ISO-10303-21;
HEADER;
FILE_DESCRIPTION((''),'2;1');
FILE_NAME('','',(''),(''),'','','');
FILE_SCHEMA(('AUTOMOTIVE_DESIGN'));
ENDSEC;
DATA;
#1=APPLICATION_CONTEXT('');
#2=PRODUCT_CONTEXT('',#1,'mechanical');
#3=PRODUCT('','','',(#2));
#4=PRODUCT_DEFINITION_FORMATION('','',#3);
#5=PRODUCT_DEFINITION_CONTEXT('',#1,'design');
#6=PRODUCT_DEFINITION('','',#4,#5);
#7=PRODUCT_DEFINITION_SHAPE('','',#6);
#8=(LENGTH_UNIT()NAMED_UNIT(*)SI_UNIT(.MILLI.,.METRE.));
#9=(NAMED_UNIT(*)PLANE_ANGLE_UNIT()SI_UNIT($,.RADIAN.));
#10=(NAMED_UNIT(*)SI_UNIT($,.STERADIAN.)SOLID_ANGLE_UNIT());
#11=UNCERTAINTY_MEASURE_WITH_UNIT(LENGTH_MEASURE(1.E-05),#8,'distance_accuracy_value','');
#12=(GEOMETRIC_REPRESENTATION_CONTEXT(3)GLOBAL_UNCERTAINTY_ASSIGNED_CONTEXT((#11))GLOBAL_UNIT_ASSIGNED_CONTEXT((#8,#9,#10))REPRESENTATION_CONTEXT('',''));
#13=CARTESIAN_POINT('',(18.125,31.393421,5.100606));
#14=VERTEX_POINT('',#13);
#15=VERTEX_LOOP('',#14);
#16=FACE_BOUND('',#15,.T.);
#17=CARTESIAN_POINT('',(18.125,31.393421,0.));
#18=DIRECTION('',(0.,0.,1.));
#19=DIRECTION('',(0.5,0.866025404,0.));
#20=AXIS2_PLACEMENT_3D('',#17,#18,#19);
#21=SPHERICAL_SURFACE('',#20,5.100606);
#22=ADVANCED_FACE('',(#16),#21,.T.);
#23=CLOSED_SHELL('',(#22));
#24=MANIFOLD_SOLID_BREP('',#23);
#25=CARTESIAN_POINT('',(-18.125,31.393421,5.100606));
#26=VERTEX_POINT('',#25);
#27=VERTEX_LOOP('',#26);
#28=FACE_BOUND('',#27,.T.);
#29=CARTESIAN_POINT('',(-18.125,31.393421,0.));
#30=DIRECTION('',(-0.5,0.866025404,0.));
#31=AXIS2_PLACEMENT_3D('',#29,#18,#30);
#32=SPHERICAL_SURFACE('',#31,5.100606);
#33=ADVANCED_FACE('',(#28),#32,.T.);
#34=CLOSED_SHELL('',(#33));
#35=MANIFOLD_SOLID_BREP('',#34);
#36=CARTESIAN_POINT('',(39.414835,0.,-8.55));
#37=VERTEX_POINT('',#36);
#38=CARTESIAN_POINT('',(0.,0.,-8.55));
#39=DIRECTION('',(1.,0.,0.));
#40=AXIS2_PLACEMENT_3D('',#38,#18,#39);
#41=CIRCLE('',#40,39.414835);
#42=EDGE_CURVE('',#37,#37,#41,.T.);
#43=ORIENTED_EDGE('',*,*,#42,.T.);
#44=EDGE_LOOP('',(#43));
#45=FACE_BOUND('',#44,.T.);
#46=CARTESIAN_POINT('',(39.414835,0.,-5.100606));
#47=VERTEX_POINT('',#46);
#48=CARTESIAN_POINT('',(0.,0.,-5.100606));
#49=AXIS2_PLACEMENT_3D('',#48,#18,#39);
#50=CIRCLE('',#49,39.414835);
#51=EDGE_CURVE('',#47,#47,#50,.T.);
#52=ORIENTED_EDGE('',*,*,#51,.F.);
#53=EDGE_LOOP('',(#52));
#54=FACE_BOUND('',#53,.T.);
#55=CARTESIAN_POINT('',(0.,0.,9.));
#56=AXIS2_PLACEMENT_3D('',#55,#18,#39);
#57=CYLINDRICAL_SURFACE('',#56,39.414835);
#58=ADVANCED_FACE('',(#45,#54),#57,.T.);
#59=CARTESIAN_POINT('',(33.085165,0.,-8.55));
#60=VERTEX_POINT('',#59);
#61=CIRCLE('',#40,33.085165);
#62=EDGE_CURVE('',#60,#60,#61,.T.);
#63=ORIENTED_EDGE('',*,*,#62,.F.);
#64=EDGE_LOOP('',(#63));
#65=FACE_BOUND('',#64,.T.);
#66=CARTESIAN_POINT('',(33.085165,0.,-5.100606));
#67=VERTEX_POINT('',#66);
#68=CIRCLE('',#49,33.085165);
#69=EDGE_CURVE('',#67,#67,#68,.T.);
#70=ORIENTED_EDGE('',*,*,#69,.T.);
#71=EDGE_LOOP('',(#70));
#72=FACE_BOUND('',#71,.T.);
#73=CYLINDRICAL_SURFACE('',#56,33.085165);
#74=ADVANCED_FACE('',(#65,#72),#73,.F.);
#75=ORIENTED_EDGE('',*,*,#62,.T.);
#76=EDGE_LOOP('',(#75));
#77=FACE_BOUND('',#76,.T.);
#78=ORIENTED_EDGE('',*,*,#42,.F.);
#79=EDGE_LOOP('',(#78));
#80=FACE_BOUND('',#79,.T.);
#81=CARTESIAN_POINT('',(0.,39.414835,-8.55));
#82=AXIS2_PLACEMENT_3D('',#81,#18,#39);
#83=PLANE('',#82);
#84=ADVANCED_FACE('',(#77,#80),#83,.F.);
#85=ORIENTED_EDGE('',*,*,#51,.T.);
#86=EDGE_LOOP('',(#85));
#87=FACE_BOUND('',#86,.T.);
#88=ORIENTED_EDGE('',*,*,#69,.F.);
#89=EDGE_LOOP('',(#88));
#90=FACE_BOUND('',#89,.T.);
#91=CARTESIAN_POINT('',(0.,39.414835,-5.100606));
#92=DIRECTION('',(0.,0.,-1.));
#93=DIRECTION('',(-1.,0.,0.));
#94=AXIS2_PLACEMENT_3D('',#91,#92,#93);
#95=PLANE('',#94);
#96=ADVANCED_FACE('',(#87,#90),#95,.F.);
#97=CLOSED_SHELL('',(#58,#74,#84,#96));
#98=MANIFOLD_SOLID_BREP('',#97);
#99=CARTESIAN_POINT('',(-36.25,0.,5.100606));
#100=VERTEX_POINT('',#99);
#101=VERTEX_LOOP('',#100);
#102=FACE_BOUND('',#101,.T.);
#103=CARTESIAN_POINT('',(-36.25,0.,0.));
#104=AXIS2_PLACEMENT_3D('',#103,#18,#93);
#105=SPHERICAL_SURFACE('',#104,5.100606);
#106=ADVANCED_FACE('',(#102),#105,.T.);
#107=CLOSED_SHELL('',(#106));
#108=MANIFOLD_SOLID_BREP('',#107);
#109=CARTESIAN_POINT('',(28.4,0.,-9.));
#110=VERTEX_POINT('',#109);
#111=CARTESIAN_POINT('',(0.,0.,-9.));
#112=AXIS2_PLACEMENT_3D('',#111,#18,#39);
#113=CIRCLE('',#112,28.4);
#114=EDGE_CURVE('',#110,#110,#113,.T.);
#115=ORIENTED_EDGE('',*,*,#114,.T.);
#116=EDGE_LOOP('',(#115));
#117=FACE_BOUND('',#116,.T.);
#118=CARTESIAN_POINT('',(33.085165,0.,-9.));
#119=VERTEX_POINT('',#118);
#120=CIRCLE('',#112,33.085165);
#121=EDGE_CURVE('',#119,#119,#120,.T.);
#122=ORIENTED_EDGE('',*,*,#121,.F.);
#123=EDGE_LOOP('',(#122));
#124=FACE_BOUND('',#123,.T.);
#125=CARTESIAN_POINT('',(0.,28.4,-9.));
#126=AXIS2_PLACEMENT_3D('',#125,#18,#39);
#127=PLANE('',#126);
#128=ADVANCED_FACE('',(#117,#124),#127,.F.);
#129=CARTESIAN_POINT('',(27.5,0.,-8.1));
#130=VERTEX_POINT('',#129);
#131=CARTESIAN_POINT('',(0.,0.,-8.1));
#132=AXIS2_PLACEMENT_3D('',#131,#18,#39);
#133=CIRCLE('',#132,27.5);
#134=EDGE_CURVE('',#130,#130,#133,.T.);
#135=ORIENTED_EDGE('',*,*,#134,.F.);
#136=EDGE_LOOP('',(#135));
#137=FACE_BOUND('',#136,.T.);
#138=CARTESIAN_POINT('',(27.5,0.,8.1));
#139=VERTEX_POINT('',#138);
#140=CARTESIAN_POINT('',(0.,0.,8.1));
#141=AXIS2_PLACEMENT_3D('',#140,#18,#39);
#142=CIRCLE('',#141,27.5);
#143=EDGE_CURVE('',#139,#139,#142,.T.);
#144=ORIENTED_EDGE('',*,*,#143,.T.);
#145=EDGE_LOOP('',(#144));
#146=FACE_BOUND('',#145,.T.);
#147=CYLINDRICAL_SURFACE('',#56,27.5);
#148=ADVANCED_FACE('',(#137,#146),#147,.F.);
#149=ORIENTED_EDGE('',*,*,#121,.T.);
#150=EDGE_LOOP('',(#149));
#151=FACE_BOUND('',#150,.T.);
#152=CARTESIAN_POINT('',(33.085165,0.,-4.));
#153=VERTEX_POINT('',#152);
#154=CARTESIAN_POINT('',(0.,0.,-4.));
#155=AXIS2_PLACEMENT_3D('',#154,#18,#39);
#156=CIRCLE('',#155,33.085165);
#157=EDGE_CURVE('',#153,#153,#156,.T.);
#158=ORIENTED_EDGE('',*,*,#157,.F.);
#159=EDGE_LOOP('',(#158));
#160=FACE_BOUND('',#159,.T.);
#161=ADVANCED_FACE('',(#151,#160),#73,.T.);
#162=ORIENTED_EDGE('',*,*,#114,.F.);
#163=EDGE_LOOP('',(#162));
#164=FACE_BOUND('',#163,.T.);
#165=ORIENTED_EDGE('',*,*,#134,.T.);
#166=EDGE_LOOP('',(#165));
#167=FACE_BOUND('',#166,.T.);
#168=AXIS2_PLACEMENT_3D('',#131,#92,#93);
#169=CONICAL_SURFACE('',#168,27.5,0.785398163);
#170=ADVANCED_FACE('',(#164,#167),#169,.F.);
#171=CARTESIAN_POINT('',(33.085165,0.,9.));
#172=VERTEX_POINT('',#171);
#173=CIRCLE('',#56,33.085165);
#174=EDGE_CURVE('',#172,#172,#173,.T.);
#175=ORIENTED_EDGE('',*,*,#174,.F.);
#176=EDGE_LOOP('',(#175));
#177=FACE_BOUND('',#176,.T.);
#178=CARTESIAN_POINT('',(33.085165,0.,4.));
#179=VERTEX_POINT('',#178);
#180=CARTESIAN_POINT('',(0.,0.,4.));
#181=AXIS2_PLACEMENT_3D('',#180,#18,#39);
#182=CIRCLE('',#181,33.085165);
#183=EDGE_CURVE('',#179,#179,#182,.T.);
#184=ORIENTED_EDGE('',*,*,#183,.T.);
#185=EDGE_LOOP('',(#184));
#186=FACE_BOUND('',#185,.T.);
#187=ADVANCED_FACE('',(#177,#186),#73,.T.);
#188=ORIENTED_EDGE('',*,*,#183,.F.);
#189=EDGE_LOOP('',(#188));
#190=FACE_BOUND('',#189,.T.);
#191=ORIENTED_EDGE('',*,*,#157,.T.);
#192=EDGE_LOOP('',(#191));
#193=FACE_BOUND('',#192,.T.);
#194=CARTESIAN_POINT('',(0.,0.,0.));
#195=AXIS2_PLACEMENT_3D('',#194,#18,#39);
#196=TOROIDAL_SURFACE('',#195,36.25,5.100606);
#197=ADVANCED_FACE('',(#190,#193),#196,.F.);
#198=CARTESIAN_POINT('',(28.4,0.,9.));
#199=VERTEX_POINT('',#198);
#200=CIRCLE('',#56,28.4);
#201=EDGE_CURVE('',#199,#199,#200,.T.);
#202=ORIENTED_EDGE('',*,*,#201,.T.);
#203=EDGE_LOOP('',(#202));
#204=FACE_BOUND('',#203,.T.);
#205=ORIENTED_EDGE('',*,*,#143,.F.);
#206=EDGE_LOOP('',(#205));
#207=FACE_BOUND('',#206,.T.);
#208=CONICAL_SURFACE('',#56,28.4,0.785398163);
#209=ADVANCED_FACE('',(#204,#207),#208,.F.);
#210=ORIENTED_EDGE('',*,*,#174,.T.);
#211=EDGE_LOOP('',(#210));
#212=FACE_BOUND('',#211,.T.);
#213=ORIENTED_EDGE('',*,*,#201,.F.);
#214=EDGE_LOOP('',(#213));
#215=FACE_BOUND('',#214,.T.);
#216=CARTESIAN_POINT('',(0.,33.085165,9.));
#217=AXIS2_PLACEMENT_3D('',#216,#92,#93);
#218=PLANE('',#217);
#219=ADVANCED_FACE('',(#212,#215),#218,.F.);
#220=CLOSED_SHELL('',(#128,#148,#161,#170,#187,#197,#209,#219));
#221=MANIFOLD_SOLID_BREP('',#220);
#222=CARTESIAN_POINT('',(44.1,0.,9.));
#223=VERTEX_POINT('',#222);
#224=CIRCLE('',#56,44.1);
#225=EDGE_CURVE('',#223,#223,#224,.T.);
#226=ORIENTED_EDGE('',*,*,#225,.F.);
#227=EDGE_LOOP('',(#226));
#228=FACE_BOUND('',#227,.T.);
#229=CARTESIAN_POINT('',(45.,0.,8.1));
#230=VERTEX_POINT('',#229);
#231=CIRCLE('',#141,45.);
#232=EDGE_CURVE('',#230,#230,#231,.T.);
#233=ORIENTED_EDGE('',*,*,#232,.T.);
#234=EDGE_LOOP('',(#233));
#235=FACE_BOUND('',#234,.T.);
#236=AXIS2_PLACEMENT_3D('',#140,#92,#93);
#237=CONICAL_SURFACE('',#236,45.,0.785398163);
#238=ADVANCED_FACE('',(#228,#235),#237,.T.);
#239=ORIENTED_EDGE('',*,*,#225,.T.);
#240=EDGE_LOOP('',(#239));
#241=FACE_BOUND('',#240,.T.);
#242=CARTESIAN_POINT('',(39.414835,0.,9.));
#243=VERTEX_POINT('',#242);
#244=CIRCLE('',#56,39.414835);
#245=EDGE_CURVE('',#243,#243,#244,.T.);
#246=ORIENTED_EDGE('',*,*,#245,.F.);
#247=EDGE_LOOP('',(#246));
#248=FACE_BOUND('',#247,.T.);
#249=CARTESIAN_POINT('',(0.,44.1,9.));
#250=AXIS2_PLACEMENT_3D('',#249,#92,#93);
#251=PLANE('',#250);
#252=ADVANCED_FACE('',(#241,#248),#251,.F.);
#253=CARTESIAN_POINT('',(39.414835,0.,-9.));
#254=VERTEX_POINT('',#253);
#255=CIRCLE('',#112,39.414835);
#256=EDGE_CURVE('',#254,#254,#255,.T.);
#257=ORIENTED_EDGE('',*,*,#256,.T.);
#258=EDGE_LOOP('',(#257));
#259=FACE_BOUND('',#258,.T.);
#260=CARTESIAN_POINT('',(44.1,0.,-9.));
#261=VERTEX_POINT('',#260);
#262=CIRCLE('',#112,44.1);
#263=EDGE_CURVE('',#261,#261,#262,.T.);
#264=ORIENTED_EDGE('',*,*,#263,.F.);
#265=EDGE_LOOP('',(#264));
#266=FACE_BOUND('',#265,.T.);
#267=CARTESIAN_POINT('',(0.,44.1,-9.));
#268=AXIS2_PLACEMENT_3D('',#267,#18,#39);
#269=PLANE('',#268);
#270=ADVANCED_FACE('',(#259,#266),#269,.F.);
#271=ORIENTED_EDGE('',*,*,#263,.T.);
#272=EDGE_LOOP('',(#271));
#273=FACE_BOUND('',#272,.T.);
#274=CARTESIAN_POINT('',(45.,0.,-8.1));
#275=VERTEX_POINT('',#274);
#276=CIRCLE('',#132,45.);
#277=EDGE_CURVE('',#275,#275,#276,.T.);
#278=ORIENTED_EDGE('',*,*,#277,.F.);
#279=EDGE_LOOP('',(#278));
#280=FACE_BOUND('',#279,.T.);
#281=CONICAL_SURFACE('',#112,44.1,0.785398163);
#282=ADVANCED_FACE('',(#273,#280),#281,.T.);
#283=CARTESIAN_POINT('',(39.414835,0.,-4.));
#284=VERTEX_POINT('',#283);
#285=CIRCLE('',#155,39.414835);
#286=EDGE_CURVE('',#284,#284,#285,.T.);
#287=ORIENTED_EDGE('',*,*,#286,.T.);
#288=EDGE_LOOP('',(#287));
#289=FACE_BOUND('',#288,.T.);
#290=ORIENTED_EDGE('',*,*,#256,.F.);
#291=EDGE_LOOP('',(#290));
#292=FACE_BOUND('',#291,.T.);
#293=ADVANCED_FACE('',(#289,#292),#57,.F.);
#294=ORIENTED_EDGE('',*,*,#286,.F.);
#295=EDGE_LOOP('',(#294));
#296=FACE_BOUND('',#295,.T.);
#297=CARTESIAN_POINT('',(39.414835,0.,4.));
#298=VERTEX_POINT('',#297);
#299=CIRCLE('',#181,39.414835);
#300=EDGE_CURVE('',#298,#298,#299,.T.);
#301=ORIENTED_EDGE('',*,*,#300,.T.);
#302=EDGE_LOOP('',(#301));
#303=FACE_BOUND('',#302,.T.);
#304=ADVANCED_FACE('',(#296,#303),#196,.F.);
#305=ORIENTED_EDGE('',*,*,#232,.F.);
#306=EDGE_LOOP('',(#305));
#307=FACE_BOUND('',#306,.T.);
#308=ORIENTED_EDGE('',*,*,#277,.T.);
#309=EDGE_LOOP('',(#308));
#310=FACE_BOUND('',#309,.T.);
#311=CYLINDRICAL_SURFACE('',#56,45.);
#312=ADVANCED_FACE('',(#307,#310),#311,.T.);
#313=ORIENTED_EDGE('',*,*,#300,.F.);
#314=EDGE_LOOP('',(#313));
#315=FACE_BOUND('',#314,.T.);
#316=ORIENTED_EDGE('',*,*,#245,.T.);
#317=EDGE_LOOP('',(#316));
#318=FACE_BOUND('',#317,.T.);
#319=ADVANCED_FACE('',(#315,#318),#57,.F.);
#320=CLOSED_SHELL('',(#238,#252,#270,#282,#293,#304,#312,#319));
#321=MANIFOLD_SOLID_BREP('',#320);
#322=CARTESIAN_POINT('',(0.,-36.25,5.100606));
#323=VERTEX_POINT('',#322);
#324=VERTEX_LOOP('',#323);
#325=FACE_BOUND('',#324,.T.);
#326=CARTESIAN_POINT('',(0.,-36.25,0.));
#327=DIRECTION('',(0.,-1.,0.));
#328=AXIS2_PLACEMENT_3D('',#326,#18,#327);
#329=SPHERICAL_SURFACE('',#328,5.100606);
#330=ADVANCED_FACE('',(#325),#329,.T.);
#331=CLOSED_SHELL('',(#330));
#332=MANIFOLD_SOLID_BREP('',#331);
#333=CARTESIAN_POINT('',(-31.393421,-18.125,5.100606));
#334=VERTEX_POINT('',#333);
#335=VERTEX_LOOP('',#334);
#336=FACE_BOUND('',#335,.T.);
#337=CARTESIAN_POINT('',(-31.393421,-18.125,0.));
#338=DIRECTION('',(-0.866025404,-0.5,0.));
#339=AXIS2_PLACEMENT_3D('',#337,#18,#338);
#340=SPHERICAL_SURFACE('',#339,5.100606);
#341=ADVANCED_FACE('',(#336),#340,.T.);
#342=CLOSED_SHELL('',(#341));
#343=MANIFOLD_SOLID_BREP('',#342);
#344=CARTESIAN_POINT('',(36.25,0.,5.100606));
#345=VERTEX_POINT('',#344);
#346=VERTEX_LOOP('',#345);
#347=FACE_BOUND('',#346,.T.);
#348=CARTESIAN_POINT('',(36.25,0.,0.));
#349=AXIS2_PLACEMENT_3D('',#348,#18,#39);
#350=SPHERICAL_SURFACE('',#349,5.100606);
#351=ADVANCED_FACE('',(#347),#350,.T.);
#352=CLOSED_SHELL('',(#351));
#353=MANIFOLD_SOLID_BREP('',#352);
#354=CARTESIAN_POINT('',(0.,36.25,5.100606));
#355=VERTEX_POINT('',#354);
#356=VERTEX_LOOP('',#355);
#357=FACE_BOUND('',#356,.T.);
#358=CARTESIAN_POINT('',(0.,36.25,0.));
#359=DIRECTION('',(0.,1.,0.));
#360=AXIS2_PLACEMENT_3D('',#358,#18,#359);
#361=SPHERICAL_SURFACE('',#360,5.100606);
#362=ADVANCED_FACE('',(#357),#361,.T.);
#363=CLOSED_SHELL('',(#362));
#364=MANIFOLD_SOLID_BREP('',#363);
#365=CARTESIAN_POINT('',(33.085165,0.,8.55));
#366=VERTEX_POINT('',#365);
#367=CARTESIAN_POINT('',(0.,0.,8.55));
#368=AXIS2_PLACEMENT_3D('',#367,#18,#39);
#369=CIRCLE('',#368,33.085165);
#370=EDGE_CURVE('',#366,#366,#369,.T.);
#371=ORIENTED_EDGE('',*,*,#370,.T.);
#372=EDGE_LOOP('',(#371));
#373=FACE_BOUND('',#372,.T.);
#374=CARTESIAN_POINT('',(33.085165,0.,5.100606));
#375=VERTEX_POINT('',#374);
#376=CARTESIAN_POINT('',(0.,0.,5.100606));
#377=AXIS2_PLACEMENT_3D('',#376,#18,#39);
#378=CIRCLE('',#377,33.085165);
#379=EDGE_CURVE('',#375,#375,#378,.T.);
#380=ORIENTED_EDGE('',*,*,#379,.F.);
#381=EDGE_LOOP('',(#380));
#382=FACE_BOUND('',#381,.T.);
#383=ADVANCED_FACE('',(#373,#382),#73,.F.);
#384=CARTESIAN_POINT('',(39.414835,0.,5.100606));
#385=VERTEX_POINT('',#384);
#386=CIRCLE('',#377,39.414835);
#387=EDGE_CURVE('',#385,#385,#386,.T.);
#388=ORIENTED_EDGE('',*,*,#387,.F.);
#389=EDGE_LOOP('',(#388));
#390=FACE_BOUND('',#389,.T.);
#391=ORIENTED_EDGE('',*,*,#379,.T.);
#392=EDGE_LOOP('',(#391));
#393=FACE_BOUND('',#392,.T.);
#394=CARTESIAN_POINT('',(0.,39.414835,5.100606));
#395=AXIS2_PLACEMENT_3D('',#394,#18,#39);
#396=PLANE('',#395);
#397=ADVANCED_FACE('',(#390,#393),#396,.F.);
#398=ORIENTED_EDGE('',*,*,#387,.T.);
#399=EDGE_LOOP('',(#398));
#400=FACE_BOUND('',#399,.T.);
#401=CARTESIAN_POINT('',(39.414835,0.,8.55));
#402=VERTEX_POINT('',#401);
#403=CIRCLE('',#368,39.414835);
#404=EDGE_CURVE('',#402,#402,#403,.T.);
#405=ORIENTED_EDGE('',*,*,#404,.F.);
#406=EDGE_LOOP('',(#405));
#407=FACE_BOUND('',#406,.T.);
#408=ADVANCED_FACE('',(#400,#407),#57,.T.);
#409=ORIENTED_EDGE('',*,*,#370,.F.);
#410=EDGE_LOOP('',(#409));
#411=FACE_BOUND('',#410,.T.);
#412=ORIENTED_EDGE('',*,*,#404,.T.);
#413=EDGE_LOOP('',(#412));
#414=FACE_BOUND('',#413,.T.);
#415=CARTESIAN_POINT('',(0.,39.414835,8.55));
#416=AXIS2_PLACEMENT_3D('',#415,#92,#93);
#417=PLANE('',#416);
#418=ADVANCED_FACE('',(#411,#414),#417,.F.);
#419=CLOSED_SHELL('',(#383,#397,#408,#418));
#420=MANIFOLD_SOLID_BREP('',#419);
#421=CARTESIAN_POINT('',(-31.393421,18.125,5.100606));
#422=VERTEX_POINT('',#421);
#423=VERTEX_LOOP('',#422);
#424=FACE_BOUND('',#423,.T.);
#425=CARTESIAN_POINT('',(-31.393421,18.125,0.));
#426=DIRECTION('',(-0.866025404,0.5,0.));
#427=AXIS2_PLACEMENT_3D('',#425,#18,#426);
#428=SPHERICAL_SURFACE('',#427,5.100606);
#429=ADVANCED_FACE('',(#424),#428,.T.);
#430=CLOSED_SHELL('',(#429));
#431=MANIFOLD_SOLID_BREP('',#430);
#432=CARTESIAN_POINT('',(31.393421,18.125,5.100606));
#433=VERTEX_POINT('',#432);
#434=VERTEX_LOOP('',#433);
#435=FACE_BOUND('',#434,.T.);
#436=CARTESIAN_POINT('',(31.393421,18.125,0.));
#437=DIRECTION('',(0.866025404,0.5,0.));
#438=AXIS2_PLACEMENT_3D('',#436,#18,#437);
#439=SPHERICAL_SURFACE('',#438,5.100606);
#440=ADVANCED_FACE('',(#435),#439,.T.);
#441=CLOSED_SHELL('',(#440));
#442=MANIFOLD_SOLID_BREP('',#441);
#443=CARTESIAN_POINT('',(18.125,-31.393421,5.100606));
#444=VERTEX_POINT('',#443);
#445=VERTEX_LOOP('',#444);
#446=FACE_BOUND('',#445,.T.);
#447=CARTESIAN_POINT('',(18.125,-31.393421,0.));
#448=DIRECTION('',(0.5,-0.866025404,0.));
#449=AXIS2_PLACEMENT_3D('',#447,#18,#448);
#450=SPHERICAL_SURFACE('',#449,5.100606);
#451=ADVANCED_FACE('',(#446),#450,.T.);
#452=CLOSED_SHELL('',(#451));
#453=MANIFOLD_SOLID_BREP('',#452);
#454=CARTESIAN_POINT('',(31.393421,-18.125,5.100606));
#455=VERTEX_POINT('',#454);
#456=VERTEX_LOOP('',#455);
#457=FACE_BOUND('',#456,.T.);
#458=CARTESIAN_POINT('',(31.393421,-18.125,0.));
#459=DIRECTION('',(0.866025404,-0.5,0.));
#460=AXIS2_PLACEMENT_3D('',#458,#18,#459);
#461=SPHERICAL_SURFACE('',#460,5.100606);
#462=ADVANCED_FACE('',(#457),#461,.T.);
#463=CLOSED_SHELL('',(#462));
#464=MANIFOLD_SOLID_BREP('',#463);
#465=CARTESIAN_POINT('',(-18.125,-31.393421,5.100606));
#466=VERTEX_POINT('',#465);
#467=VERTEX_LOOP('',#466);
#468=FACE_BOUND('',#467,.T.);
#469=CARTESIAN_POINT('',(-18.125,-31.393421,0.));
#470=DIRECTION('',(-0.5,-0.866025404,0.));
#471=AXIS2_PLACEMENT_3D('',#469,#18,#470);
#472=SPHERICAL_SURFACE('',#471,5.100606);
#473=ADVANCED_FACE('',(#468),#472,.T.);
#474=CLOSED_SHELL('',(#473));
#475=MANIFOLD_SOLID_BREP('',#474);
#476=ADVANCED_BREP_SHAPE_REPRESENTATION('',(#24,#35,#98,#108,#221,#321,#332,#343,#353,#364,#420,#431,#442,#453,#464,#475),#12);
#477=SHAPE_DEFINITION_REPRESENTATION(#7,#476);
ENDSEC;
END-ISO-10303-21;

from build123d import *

# Parameters (mm, degrees)
CIRPATTERN1_COUNT = 12
SKETCH5_W         = 3.449393995
SKETCH5_H         = 6.32967033


with BuildPart() as part:
    # Sketch1 → Revolve1 (revolve)
    with BuildSketch(Plane(origin=(0, 0, 0), x_dir=(0, 0, -1), z_dir=(1, 0, 0))):
        with BuildLine():
            Line((8.1, 45), (-8.1, 45))
            Line((-8.1, 45), (-9, 44.1))
            Line((-9, 44.1), (-9, 39.414835165))
            Line((-9, 39.414835165), (-4, 39.414835165))
            ThreePointArc((-4, 39.414835165), (0, 41.350606005), (4, 39.414835165))
            Line((4, 39.414835165), (9, 39.414835165))
            Line((9, 39.414835165), (9, 44.1))
            Line((9, 44.1), (8.1, 45))
        make_face()
    revolve(axis=Axis((0, 0, 9), (0, 0, -1)))


with BuildPart() as body_2:
    # Sketch3 → Revolve3 (revolve)
    with BuildSketch(Plane(origin=(0, 0, 0), x_dir=(0, 0, -1), z_dir=(1, 0, 0))):
        with BuildLine():
            Line((-9, 33.085164835), (-4, 33.085164835))
            ThreePointArc((-4, 33.085164835), (0, 31.149393995), (4, 33.085164835))
            Line((4, 33.085164835), (9, 33.085164835))
            Line((9, 33.085164835), (9, 28.4))
            Line((9, 28.4), (8.1, 27.5))
            Line((8.1, 27.5), (-8.1, 27.5))
            Line((-8.1, 27.5), (-9, 28.4))
            Line((-9, 28.4), (-9, 33.085164835))
        make_face()
    revolve(axis=Axis((0, 0, 9), (0, 0, -1)))


with BuildPart() as body_3:
    # Sketch4 → Revolve4 (revolve)
    with BuildSketch(Plane(origin=(0, 0, 0), x_dir=(0, 0, -1), z_dir=(1, 0, 0))):
        with BuildLine():
            Line((-5.100606005, 36.25), (5.100606005, 36.25))
            ThreePointArc((5.100606005, 36.25), (0, 41.350606005), (-5.100606005, 36.25))
        make_face()
    revolve(axis=Axis((0, 36.25, 5.100606005), (0, 0, -1)))


with BuildPart() as cirpattern1_1:
    # CirPattern1: pattern copy
    add(body_3.part.rotate(Axis((0, 0, -9), (0, 0, 1)), 1 * 360 / CIRPATTERN1_COUNT))


with BuildPart() as cirpattern1_2:
    # CirPattern1: pattern copy
    add(body_3.part.rotate(Axis((0, 0, -9), (0, 0, 1)), 2 * 360 / CIRPATTERN1_COUNT))


with BuildPart() as cirpattern1_3:
    # CirPattern1: pattern copy
    add(body_3.part.rotate(Axis((0, 0, -9), (0, 0, 1)), 3 * 360 / CIRPATTERN1_COUNT))


with BuildPart() as cirpattern1_4:
    # CirPattern1: pattern copy
    add(body_3.part.rotate(Axis((0, 0, -9), (0, 0, 1)), 4 * 360 / CIRPATTERN1_COUNT))


with BuildPart() as cirpattern1_5:
    # CirPattern1: pattern copy
    add(body_3.part.rotate(Axis((0, 0, -9), (0, 0, 1)), 5 * 360 / CIRPATTERN1_COUNT))


with BuildPart() as cirpattern1_6:
    # CirPattern1: pattern copy
    add(body_3.part.rotate(Axis((0, 0, -9), (0, 0, 1)), 6 * 360 / CIRPATTERN1_COUNT))


with BuildPart() as cirpattern1_7:
    # CirPattern1: pattern copy
    add(body_3.part.rotate(Axis((0, 0, -9), (0, 0, 1)), 7 * 360 / CIRPATTERN1_COUNT))


with BuildPart() as cirpattern1_8:
    # CirPattern1: pattern copy
    add(body_3.part.rotate(Axis((0, 0, -9), (0, 0, 1)), 8 * 360 / CIRPATTERN1_COUNT))


with BuildPart() as cirpattern1_9:
    # CirPattern1: pattern copy
    add(body_3.part.rotate(Axis((0, 0, -9), (0, 0, 1)), 9 * 360 / CIRPATTERN1_COUNT))


with BuildPart() as cirpattern1_10:
    # CirPattern1: pattern copy
    add(body_3.part.rotate(Axis((0, 0, -9), (0, 0, 1)), 10 * 360 / CIRPATTERN1_COUNT))


with BuildPart() as cirpattern1_11:
    # CirPattern1: pattern copy
    add(body_3.part.rotate(Axis((0, 0, -9), (0, 0, 1)), 11 * 360 / CIRPATTERN1_COUNT))


with BuildPart() as body_15:
    # Sketch5 → Revolve5 (revolve)
    with BuildSketch(Plane(origin=(0, 0, 0), x_dir=(0, 0, -1), z_dir=(1, 0, 0))):
        with Locations((-6.825303003, 36.25)):
            Rectangle(SKETCH5_W, SKETCH5_H)
        with Locations((6.825303003, 36.25)):
            Rectangle(SKETCH5_W, SKETCH5_H)
    revolve(axis=Axis((0, 0, 9), (0, 0, -1)))


solid = Compound([part.part, body_2.part, body_3.part, cirpattern1_1.part, cirpattern1_2.part, cirpattern1_3.part, cirpattern1_4.part, cirpattern1_5.part, cirpattern1_6.part, cirpattern1_7.part, cirpattern1_8.part, cirpattern1_9.part, cirpattern1_10.part, cirpattern1_11.part, body_15.part])
